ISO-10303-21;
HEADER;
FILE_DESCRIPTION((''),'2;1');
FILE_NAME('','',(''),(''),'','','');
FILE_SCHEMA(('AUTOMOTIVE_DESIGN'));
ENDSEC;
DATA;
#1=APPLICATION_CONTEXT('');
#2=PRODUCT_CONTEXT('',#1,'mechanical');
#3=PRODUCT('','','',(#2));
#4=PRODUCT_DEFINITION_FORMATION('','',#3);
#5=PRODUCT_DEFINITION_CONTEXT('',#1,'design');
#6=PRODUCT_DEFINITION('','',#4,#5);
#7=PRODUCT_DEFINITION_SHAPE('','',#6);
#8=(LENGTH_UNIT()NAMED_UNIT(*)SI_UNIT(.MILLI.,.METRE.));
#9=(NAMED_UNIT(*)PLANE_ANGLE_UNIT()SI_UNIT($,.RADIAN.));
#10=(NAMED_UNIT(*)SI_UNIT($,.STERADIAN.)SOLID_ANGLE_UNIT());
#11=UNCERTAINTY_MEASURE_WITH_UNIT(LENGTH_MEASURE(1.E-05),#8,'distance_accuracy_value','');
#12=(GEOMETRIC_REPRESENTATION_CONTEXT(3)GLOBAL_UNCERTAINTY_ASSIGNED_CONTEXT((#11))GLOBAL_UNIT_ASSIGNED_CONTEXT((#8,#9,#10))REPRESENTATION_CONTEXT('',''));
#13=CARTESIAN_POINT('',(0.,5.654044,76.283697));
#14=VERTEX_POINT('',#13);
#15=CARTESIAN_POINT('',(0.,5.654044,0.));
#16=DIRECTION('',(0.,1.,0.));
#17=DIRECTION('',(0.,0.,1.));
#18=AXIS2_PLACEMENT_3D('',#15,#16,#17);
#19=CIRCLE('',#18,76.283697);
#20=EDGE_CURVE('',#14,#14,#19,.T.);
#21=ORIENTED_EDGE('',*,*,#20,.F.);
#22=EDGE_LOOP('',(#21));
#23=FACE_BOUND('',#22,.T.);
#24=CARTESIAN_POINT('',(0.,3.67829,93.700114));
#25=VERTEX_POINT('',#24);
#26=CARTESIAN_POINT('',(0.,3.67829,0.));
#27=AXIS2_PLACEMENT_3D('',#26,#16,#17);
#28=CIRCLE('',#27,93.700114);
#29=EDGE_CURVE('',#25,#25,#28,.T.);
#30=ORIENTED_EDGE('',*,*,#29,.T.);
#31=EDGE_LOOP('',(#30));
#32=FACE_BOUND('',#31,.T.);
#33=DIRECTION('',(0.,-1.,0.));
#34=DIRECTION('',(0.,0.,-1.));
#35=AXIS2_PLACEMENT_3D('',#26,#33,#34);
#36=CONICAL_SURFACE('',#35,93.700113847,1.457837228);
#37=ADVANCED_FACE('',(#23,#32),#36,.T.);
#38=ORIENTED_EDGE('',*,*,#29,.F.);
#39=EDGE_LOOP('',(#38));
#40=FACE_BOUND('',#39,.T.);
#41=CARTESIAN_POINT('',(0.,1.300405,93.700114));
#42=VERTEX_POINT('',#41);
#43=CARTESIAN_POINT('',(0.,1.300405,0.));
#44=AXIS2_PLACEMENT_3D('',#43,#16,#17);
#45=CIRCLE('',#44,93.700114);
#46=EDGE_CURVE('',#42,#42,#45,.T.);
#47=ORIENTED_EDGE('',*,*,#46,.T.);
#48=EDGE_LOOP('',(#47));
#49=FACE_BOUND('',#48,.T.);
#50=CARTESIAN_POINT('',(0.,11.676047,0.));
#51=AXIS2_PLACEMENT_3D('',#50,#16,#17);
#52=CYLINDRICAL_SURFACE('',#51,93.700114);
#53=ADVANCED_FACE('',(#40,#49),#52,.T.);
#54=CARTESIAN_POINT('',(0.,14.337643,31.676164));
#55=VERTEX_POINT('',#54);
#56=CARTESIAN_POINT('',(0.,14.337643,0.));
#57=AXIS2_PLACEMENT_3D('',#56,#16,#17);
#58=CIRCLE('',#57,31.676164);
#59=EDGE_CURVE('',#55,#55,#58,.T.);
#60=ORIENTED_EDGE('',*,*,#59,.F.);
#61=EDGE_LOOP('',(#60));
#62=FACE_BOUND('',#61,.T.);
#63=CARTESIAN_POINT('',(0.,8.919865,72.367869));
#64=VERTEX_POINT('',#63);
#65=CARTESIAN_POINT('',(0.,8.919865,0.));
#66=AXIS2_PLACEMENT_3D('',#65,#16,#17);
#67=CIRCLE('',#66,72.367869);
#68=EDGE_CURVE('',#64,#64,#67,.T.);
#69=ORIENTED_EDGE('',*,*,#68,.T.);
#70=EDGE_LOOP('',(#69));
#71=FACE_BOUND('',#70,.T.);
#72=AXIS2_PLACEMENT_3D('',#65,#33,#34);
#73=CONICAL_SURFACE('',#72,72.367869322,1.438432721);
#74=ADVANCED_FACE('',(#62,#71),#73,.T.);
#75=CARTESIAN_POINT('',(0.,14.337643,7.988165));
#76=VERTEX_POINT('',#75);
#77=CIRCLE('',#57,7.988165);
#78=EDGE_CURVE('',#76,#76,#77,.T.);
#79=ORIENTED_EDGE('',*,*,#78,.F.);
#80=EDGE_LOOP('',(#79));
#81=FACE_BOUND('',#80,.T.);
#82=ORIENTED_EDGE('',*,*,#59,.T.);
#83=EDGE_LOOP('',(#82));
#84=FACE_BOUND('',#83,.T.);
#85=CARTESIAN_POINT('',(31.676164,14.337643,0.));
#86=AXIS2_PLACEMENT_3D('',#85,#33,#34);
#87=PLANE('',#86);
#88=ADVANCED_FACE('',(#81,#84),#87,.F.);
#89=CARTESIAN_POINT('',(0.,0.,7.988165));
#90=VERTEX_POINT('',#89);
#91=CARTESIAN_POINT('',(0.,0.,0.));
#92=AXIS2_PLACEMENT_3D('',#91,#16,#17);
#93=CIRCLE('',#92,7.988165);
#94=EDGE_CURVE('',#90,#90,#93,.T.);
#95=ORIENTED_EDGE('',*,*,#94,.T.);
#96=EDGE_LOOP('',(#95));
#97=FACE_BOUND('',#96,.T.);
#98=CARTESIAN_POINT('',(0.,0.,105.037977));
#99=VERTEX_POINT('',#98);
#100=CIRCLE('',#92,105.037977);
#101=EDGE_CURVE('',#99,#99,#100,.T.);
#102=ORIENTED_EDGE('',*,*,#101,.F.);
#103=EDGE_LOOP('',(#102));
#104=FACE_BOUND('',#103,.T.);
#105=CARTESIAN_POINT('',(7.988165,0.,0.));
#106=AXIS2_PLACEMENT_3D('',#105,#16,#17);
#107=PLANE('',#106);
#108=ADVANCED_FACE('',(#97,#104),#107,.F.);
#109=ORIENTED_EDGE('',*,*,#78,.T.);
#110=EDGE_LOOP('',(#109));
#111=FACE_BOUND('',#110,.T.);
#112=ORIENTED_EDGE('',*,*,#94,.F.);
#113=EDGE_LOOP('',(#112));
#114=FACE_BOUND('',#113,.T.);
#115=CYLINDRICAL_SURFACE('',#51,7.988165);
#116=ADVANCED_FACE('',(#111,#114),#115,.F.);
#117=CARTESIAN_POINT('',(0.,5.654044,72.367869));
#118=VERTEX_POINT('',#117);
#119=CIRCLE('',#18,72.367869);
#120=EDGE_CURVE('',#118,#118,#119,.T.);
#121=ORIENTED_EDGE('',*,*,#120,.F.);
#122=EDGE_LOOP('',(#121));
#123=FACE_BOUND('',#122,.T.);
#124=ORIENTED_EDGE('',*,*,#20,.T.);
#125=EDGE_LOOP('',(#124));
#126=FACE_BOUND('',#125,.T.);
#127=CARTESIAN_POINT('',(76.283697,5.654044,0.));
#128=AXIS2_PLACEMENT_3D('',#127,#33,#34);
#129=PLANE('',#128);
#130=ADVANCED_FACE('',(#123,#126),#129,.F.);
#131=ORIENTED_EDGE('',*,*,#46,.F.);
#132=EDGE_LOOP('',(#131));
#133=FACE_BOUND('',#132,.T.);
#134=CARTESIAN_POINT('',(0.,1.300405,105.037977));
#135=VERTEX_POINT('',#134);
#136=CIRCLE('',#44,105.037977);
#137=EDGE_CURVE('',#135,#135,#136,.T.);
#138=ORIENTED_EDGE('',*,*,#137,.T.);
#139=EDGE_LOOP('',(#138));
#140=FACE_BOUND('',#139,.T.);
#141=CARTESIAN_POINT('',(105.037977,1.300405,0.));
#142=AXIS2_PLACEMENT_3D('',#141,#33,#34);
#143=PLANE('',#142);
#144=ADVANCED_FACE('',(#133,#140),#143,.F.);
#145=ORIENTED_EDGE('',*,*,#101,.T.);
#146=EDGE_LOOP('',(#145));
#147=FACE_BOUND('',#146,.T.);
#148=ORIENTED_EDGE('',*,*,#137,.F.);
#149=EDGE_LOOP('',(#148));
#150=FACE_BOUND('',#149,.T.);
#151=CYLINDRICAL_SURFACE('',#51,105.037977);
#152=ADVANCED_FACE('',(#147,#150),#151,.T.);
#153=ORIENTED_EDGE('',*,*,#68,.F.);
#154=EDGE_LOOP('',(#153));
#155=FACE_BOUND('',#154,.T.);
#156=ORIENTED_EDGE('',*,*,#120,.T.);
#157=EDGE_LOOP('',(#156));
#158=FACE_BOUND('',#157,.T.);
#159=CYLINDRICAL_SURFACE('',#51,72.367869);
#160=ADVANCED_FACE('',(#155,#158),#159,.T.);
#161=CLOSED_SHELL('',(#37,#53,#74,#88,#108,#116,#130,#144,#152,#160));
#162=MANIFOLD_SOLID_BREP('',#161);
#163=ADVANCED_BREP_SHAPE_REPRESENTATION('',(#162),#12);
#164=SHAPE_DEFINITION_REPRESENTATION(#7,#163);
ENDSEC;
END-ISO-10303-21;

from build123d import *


with BuildPart() as part:
    # Sketch1 → Revolve1 (revolve)
    with BuildSketch(Plane.XY):
        Polygon((7.98816452, 0), (105.037977295, 0), (105.037977295, 1.300404607), (93.700113847, 1.300404607), (93.700113847, 3.678290341), (76.283697197, 5.654043612), (72.367869322, 5.654043612), (72.367869322, 8.91986549), (31.676164279, 14.337643353), (7.98816452, 14.337643353), align=None)
    revolve(axis=Axis((0, 11.676047175, 0), (0, -1, 0)))


solid = part.part
